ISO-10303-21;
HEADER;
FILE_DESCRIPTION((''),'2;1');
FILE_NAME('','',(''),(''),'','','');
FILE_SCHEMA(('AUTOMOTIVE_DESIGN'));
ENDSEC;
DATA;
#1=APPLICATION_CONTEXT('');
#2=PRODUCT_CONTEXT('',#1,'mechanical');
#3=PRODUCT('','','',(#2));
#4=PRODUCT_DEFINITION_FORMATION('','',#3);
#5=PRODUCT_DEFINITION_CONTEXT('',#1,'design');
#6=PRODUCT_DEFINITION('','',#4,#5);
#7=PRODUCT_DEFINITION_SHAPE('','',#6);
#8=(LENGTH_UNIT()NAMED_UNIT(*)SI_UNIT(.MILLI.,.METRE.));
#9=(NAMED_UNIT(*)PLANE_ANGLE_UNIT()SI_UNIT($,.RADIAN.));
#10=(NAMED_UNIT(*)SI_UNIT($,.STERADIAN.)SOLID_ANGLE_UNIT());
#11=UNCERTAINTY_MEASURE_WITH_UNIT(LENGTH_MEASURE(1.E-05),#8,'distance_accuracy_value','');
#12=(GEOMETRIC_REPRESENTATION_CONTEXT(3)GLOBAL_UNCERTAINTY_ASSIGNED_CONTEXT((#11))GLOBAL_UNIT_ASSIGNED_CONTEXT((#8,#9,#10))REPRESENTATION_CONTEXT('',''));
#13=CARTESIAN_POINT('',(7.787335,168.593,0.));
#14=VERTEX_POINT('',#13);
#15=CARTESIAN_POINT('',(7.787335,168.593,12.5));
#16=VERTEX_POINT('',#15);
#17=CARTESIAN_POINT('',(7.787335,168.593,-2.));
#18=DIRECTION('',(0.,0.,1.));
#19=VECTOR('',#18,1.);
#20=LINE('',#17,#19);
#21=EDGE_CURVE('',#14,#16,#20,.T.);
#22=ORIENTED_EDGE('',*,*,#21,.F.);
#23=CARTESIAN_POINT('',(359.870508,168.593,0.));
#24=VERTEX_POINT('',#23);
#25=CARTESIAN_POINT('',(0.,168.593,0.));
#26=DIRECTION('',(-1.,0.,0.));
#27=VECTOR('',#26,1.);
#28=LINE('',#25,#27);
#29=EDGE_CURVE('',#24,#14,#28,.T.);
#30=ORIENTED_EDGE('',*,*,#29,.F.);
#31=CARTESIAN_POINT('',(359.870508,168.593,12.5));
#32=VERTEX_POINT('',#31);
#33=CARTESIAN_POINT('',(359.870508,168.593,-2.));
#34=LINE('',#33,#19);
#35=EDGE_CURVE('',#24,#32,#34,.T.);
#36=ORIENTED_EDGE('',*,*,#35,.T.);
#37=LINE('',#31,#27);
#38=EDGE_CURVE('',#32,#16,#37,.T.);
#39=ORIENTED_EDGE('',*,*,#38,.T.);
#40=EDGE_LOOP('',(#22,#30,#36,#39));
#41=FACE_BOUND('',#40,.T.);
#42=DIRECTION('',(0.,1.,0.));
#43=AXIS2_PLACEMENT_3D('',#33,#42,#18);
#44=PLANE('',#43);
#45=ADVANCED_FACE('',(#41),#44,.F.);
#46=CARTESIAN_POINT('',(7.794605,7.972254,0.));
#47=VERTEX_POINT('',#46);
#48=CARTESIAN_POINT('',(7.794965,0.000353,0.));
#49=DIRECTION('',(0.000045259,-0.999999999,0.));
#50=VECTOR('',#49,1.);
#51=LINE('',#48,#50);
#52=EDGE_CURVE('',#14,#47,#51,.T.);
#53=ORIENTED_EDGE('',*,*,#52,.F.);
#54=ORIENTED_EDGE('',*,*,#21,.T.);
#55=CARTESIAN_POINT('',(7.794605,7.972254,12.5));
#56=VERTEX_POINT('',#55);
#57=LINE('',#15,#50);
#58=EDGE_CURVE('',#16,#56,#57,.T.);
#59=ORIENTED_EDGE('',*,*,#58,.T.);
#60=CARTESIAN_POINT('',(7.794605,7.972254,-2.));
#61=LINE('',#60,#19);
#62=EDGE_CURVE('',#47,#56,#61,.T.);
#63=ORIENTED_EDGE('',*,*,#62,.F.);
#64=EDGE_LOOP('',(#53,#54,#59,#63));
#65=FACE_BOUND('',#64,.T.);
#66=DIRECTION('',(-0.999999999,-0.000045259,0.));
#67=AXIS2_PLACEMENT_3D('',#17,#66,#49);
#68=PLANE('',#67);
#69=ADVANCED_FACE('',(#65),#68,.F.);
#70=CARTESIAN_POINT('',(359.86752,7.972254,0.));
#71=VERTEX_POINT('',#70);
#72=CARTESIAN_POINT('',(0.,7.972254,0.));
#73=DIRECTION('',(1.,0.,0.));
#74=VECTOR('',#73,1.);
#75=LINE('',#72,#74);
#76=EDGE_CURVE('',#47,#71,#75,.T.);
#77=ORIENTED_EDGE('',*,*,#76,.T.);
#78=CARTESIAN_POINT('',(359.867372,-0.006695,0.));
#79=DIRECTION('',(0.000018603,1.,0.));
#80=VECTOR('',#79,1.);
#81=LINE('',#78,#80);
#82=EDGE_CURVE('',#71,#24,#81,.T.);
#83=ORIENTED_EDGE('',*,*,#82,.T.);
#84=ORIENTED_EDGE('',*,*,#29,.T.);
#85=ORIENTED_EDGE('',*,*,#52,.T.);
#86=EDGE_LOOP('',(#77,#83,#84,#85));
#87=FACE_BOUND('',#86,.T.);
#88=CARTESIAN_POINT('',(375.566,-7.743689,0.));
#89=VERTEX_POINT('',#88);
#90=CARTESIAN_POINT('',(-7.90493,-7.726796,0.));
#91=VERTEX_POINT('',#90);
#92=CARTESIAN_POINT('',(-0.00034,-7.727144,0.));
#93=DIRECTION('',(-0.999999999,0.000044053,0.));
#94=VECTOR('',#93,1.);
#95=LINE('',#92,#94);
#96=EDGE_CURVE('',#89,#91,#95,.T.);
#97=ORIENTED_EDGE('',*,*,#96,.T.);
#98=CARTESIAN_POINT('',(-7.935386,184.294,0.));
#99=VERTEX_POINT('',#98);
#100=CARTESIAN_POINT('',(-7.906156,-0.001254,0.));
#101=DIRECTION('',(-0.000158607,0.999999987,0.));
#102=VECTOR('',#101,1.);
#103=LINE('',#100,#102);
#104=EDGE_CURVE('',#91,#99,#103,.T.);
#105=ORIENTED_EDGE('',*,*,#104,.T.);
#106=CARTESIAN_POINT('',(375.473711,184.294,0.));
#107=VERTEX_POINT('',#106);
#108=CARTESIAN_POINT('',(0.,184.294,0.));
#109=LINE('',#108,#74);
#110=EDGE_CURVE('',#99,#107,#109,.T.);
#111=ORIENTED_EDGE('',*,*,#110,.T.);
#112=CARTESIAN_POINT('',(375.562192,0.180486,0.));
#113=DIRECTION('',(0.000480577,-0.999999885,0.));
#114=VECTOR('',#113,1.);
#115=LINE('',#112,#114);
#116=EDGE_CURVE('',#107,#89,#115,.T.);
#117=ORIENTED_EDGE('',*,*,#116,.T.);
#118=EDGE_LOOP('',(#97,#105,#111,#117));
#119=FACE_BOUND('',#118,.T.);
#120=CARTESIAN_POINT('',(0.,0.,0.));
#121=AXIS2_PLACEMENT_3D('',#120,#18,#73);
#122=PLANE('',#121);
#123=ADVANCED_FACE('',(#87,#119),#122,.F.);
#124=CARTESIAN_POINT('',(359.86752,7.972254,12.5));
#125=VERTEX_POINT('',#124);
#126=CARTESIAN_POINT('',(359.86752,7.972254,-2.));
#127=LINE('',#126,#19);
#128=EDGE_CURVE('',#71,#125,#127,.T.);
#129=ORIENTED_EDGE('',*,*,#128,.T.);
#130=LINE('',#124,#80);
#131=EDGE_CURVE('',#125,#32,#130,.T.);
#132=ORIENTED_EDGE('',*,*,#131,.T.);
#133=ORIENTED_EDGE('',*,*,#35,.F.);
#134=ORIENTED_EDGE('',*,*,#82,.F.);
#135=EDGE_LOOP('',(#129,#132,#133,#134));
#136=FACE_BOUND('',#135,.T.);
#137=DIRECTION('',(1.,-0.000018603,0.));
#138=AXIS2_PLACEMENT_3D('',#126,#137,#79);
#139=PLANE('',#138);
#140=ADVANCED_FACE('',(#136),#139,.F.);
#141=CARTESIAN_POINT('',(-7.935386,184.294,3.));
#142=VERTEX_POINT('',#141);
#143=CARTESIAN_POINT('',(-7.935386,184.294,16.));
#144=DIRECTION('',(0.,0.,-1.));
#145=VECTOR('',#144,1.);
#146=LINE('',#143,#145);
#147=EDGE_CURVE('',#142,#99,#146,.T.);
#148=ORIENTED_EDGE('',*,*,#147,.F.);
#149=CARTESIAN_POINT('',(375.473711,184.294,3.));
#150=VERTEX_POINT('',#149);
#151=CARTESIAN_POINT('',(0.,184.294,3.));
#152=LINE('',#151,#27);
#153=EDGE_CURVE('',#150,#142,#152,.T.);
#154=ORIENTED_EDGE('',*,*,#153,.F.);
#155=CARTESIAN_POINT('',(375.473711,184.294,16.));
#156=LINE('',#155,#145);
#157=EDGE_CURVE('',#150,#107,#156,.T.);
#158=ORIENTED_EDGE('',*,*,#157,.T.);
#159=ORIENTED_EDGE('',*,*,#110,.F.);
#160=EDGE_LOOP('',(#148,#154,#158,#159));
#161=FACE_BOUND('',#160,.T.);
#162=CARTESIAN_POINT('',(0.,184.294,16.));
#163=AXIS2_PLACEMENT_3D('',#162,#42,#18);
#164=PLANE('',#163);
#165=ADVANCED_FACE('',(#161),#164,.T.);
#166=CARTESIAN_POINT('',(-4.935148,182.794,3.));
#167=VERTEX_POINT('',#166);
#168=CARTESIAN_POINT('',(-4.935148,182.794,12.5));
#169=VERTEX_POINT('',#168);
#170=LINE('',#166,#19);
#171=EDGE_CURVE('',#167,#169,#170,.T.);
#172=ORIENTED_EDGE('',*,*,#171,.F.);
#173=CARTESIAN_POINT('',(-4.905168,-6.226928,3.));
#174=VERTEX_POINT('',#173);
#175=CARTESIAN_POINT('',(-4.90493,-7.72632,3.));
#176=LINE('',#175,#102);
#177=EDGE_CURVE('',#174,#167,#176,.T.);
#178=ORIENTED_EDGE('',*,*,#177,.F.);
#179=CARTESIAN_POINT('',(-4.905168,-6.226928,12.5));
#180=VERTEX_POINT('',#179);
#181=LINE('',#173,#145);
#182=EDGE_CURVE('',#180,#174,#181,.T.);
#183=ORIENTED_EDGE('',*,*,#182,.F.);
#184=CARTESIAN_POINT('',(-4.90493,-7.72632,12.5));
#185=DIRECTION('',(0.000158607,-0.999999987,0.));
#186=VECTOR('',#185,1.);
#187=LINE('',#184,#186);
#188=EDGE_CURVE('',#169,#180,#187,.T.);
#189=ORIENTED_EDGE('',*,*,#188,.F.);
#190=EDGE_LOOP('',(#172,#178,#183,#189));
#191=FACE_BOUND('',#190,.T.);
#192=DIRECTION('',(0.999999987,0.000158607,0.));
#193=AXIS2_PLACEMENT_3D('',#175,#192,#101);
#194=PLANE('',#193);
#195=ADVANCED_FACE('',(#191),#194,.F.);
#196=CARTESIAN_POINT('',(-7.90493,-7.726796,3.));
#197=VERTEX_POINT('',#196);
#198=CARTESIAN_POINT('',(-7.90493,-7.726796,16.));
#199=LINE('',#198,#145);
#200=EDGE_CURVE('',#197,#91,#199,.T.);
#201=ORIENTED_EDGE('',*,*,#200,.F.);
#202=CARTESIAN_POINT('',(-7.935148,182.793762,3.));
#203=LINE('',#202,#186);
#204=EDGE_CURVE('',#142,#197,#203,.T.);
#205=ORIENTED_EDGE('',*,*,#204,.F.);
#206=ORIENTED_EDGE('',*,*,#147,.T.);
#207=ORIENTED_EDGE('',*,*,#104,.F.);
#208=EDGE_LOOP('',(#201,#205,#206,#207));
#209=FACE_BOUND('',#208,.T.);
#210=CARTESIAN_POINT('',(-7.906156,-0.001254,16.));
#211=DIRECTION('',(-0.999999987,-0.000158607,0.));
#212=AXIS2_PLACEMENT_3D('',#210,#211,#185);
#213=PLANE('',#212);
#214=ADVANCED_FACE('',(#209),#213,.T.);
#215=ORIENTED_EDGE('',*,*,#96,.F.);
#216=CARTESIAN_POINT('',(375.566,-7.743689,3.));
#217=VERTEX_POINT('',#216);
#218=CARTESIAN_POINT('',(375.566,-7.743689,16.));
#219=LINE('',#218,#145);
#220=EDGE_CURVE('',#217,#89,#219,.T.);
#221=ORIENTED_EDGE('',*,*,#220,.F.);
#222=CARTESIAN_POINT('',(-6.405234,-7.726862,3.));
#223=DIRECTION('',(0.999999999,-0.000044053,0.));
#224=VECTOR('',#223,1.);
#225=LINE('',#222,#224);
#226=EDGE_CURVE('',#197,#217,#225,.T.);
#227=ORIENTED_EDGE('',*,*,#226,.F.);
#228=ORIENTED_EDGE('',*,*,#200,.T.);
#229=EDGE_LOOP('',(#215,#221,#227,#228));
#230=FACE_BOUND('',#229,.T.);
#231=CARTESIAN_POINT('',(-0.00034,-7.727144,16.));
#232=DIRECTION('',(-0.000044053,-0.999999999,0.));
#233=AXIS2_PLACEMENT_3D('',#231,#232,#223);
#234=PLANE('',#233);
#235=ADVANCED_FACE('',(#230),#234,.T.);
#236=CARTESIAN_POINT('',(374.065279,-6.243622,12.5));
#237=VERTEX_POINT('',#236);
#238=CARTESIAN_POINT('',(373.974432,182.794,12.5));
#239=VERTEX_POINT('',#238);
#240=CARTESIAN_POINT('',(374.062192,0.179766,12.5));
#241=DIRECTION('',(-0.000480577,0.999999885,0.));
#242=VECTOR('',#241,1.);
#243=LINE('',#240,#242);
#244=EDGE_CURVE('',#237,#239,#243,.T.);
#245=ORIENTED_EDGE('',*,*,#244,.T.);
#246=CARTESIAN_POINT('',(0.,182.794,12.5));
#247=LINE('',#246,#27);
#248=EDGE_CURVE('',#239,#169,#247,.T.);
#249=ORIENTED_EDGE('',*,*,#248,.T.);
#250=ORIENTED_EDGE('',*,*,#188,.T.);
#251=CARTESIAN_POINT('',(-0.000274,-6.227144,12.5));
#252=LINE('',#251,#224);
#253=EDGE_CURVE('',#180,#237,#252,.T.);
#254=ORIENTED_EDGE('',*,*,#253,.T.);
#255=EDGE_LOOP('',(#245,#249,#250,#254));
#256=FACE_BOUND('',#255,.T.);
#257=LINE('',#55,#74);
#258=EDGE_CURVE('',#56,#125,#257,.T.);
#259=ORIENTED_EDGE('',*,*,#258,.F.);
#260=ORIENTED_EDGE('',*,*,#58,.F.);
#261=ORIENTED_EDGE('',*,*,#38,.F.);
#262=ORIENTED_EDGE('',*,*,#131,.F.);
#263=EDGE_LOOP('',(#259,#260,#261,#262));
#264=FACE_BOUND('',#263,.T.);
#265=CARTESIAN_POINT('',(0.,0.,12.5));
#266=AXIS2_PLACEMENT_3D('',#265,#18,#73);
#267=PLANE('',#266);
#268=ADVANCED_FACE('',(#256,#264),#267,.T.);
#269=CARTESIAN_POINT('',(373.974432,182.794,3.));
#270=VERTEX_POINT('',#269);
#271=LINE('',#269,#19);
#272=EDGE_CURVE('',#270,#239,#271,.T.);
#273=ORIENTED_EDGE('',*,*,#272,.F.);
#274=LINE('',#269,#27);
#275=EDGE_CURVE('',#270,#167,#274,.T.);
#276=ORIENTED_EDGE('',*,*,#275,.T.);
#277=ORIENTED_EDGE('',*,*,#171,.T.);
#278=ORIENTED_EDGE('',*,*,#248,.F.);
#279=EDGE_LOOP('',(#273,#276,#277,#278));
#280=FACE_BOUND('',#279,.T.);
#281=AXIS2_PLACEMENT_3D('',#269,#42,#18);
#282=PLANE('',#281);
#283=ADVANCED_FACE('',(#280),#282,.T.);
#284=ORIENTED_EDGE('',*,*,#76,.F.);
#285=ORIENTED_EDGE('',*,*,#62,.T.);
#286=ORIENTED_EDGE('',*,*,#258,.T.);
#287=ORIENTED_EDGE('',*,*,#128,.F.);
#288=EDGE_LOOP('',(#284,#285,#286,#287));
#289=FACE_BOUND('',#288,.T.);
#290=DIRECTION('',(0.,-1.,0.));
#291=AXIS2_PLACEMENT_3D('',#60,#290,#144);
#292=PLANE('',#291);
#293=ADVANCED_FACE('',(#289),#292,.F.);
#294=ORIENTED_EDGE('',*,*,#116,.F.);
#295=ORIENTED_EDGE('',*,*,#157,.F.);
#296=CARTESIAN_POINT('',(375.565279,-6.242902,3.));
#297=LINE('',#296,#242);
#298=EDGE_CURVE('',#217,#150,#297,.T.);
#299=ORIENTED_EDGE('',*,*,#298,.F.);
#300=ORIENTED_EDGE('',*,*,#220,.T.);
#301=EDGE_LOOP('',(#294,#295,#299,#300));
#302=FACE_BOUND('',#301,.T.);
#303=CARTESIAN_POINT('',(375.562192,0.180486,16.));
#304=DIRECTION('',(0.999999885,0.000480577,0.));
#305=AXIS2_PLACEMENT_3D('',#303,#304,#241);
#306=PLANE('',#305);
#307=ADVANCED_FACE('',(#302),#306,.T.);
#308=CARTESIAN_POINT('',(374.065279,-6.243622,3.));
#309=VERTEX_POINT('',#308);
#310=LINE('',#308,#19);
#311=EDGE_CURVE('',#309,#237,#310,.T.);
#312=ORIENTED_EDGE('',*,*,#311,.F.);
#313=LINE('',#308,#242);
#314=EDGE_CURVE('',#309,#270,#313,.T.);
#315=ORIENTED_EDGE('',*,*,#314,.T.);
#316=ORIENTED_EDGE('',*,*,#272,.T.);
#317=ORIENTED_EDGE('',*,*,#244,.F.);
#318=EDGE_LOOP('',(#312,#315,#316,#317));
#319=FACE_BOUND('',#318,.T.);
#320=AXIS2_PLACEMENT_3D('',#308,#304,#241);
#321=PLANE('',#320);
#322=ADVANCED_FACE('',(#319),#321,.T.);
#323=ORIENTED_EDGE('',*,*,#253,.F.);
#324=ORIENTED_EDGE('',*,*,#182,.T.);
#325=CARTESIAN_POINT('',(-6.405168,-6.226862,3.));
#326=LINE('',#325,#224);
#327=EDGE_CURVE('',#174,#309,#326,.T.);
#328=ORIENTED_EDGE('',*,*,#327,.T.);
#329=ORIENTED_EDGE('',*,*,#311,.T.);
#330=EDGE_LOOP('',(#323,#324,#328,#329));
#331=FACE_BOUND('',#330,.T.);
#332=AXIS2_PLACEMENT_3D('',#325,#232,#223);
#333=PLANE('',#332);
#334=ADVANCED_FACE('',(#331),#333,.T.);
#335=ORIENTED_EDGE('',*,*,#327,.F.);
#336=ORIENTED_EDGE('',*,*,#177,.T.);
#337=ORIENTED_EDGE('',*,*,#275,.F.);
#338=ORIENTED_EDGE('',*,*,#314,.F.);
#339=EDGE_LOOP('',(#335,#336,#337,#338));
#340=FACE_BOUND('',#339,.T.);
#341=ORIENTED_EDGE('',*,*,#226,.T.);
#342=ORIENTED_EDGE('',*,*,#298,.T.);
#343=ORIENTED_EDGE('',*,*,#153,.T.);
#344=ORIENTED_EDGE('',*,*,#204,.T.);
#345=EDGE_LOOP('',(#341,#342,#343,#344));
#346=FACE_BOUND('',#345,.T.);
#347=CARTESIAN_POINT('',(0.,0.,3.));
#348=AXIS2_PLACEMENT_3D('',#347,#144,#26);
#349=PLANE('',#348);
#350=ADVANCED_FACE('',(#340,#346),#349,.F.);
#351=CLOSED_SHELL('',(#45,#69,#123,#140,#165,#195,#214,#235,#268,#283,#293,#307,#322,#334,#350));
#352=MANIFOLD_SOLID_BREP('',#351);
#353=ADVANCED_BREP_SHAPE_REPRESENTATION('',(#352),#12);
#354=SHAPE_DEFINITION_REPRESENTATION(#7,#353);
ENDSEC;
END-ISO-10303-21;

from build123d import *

# Parameters (mm, degrees)
EXTRUDE_1_DEPTH       = 16
CUT_EXTRUDE_1_DEPTH   = 13
CUT_EXTRUDE_1_2_DEPTH = 3.5
CUT_EXTRUDE_2_DEPTH   = 14.5


with BuildPart() as part:
    # Model → 凸台-拉伸1 (new body)
    with BuildSketch(Plane.XY):
        Polygon((-7.935386074, 184.294), (-7.904930268, -7.726795577), (375.566, -7.74368854), (375.473711158, 184.294), align=None)
    extrude(amount=EXTRUDE_1_DEPTH)

    # 草图3 → Cut-Extrude 1 (cut)
    # profile 1 of 2: a face of its own
    with BuildSketch(Plane.XY.offset(16)):
        Polygon((-6.404930287, -7.726557667), (-6.435386093, 184.29423791), (-4.935386112, 184.29447582), (-4.904930306, -7.726319757), align=None)
    # profile 2 of 2: a face of its own
    with BuildSketch(Plane.XY.offset(16)):
        Polygon((375.473711158, 184.294), (-7.935386074, 184.294), (-7.904930268, -7.726795577), (375.566, -7.74368854), align=None)
        Polygon((373.97443185, 182.794), (-6.435148145, 182.794), (-6.405168149, -6.226861644), (374.06527893, -6.243622428), align=None, mode=Mode.SUBTRACT)
    extrude(amount=-CUT_EXTRUDE_1_DEPTH, mode=Mode.SUBTRACT)

    # 草图3<5> → Cut-Extrude 1 2 (cut)
    with BuildSketch(Plane.XY.offset(16)):
        Polygon((-6.435148145, 182.794), (-6.405168149, -6.226861644), (374.06527893, -6.243622428), (373.97443185, 182.794), align=None)
    extrude(amount=-CUT_EXTRUDE_1_2_DEPTH, mode=Mode.SUBTRACT)

    # 草图4 → 切除-拉伸2 (cut)
    with BuildSketch(Plane.XY.offset(12.5)):
        Polygon((7.7946046, 7.972254), (359.86752, 7.972254), (359.870508087, 168.593), (7.787335087, 168.593), align=None)
    extrude(amount=-CUT_EXTRUDE_2_DEPTH, mode=Mode.SUBTRACT)


solid = part.part
